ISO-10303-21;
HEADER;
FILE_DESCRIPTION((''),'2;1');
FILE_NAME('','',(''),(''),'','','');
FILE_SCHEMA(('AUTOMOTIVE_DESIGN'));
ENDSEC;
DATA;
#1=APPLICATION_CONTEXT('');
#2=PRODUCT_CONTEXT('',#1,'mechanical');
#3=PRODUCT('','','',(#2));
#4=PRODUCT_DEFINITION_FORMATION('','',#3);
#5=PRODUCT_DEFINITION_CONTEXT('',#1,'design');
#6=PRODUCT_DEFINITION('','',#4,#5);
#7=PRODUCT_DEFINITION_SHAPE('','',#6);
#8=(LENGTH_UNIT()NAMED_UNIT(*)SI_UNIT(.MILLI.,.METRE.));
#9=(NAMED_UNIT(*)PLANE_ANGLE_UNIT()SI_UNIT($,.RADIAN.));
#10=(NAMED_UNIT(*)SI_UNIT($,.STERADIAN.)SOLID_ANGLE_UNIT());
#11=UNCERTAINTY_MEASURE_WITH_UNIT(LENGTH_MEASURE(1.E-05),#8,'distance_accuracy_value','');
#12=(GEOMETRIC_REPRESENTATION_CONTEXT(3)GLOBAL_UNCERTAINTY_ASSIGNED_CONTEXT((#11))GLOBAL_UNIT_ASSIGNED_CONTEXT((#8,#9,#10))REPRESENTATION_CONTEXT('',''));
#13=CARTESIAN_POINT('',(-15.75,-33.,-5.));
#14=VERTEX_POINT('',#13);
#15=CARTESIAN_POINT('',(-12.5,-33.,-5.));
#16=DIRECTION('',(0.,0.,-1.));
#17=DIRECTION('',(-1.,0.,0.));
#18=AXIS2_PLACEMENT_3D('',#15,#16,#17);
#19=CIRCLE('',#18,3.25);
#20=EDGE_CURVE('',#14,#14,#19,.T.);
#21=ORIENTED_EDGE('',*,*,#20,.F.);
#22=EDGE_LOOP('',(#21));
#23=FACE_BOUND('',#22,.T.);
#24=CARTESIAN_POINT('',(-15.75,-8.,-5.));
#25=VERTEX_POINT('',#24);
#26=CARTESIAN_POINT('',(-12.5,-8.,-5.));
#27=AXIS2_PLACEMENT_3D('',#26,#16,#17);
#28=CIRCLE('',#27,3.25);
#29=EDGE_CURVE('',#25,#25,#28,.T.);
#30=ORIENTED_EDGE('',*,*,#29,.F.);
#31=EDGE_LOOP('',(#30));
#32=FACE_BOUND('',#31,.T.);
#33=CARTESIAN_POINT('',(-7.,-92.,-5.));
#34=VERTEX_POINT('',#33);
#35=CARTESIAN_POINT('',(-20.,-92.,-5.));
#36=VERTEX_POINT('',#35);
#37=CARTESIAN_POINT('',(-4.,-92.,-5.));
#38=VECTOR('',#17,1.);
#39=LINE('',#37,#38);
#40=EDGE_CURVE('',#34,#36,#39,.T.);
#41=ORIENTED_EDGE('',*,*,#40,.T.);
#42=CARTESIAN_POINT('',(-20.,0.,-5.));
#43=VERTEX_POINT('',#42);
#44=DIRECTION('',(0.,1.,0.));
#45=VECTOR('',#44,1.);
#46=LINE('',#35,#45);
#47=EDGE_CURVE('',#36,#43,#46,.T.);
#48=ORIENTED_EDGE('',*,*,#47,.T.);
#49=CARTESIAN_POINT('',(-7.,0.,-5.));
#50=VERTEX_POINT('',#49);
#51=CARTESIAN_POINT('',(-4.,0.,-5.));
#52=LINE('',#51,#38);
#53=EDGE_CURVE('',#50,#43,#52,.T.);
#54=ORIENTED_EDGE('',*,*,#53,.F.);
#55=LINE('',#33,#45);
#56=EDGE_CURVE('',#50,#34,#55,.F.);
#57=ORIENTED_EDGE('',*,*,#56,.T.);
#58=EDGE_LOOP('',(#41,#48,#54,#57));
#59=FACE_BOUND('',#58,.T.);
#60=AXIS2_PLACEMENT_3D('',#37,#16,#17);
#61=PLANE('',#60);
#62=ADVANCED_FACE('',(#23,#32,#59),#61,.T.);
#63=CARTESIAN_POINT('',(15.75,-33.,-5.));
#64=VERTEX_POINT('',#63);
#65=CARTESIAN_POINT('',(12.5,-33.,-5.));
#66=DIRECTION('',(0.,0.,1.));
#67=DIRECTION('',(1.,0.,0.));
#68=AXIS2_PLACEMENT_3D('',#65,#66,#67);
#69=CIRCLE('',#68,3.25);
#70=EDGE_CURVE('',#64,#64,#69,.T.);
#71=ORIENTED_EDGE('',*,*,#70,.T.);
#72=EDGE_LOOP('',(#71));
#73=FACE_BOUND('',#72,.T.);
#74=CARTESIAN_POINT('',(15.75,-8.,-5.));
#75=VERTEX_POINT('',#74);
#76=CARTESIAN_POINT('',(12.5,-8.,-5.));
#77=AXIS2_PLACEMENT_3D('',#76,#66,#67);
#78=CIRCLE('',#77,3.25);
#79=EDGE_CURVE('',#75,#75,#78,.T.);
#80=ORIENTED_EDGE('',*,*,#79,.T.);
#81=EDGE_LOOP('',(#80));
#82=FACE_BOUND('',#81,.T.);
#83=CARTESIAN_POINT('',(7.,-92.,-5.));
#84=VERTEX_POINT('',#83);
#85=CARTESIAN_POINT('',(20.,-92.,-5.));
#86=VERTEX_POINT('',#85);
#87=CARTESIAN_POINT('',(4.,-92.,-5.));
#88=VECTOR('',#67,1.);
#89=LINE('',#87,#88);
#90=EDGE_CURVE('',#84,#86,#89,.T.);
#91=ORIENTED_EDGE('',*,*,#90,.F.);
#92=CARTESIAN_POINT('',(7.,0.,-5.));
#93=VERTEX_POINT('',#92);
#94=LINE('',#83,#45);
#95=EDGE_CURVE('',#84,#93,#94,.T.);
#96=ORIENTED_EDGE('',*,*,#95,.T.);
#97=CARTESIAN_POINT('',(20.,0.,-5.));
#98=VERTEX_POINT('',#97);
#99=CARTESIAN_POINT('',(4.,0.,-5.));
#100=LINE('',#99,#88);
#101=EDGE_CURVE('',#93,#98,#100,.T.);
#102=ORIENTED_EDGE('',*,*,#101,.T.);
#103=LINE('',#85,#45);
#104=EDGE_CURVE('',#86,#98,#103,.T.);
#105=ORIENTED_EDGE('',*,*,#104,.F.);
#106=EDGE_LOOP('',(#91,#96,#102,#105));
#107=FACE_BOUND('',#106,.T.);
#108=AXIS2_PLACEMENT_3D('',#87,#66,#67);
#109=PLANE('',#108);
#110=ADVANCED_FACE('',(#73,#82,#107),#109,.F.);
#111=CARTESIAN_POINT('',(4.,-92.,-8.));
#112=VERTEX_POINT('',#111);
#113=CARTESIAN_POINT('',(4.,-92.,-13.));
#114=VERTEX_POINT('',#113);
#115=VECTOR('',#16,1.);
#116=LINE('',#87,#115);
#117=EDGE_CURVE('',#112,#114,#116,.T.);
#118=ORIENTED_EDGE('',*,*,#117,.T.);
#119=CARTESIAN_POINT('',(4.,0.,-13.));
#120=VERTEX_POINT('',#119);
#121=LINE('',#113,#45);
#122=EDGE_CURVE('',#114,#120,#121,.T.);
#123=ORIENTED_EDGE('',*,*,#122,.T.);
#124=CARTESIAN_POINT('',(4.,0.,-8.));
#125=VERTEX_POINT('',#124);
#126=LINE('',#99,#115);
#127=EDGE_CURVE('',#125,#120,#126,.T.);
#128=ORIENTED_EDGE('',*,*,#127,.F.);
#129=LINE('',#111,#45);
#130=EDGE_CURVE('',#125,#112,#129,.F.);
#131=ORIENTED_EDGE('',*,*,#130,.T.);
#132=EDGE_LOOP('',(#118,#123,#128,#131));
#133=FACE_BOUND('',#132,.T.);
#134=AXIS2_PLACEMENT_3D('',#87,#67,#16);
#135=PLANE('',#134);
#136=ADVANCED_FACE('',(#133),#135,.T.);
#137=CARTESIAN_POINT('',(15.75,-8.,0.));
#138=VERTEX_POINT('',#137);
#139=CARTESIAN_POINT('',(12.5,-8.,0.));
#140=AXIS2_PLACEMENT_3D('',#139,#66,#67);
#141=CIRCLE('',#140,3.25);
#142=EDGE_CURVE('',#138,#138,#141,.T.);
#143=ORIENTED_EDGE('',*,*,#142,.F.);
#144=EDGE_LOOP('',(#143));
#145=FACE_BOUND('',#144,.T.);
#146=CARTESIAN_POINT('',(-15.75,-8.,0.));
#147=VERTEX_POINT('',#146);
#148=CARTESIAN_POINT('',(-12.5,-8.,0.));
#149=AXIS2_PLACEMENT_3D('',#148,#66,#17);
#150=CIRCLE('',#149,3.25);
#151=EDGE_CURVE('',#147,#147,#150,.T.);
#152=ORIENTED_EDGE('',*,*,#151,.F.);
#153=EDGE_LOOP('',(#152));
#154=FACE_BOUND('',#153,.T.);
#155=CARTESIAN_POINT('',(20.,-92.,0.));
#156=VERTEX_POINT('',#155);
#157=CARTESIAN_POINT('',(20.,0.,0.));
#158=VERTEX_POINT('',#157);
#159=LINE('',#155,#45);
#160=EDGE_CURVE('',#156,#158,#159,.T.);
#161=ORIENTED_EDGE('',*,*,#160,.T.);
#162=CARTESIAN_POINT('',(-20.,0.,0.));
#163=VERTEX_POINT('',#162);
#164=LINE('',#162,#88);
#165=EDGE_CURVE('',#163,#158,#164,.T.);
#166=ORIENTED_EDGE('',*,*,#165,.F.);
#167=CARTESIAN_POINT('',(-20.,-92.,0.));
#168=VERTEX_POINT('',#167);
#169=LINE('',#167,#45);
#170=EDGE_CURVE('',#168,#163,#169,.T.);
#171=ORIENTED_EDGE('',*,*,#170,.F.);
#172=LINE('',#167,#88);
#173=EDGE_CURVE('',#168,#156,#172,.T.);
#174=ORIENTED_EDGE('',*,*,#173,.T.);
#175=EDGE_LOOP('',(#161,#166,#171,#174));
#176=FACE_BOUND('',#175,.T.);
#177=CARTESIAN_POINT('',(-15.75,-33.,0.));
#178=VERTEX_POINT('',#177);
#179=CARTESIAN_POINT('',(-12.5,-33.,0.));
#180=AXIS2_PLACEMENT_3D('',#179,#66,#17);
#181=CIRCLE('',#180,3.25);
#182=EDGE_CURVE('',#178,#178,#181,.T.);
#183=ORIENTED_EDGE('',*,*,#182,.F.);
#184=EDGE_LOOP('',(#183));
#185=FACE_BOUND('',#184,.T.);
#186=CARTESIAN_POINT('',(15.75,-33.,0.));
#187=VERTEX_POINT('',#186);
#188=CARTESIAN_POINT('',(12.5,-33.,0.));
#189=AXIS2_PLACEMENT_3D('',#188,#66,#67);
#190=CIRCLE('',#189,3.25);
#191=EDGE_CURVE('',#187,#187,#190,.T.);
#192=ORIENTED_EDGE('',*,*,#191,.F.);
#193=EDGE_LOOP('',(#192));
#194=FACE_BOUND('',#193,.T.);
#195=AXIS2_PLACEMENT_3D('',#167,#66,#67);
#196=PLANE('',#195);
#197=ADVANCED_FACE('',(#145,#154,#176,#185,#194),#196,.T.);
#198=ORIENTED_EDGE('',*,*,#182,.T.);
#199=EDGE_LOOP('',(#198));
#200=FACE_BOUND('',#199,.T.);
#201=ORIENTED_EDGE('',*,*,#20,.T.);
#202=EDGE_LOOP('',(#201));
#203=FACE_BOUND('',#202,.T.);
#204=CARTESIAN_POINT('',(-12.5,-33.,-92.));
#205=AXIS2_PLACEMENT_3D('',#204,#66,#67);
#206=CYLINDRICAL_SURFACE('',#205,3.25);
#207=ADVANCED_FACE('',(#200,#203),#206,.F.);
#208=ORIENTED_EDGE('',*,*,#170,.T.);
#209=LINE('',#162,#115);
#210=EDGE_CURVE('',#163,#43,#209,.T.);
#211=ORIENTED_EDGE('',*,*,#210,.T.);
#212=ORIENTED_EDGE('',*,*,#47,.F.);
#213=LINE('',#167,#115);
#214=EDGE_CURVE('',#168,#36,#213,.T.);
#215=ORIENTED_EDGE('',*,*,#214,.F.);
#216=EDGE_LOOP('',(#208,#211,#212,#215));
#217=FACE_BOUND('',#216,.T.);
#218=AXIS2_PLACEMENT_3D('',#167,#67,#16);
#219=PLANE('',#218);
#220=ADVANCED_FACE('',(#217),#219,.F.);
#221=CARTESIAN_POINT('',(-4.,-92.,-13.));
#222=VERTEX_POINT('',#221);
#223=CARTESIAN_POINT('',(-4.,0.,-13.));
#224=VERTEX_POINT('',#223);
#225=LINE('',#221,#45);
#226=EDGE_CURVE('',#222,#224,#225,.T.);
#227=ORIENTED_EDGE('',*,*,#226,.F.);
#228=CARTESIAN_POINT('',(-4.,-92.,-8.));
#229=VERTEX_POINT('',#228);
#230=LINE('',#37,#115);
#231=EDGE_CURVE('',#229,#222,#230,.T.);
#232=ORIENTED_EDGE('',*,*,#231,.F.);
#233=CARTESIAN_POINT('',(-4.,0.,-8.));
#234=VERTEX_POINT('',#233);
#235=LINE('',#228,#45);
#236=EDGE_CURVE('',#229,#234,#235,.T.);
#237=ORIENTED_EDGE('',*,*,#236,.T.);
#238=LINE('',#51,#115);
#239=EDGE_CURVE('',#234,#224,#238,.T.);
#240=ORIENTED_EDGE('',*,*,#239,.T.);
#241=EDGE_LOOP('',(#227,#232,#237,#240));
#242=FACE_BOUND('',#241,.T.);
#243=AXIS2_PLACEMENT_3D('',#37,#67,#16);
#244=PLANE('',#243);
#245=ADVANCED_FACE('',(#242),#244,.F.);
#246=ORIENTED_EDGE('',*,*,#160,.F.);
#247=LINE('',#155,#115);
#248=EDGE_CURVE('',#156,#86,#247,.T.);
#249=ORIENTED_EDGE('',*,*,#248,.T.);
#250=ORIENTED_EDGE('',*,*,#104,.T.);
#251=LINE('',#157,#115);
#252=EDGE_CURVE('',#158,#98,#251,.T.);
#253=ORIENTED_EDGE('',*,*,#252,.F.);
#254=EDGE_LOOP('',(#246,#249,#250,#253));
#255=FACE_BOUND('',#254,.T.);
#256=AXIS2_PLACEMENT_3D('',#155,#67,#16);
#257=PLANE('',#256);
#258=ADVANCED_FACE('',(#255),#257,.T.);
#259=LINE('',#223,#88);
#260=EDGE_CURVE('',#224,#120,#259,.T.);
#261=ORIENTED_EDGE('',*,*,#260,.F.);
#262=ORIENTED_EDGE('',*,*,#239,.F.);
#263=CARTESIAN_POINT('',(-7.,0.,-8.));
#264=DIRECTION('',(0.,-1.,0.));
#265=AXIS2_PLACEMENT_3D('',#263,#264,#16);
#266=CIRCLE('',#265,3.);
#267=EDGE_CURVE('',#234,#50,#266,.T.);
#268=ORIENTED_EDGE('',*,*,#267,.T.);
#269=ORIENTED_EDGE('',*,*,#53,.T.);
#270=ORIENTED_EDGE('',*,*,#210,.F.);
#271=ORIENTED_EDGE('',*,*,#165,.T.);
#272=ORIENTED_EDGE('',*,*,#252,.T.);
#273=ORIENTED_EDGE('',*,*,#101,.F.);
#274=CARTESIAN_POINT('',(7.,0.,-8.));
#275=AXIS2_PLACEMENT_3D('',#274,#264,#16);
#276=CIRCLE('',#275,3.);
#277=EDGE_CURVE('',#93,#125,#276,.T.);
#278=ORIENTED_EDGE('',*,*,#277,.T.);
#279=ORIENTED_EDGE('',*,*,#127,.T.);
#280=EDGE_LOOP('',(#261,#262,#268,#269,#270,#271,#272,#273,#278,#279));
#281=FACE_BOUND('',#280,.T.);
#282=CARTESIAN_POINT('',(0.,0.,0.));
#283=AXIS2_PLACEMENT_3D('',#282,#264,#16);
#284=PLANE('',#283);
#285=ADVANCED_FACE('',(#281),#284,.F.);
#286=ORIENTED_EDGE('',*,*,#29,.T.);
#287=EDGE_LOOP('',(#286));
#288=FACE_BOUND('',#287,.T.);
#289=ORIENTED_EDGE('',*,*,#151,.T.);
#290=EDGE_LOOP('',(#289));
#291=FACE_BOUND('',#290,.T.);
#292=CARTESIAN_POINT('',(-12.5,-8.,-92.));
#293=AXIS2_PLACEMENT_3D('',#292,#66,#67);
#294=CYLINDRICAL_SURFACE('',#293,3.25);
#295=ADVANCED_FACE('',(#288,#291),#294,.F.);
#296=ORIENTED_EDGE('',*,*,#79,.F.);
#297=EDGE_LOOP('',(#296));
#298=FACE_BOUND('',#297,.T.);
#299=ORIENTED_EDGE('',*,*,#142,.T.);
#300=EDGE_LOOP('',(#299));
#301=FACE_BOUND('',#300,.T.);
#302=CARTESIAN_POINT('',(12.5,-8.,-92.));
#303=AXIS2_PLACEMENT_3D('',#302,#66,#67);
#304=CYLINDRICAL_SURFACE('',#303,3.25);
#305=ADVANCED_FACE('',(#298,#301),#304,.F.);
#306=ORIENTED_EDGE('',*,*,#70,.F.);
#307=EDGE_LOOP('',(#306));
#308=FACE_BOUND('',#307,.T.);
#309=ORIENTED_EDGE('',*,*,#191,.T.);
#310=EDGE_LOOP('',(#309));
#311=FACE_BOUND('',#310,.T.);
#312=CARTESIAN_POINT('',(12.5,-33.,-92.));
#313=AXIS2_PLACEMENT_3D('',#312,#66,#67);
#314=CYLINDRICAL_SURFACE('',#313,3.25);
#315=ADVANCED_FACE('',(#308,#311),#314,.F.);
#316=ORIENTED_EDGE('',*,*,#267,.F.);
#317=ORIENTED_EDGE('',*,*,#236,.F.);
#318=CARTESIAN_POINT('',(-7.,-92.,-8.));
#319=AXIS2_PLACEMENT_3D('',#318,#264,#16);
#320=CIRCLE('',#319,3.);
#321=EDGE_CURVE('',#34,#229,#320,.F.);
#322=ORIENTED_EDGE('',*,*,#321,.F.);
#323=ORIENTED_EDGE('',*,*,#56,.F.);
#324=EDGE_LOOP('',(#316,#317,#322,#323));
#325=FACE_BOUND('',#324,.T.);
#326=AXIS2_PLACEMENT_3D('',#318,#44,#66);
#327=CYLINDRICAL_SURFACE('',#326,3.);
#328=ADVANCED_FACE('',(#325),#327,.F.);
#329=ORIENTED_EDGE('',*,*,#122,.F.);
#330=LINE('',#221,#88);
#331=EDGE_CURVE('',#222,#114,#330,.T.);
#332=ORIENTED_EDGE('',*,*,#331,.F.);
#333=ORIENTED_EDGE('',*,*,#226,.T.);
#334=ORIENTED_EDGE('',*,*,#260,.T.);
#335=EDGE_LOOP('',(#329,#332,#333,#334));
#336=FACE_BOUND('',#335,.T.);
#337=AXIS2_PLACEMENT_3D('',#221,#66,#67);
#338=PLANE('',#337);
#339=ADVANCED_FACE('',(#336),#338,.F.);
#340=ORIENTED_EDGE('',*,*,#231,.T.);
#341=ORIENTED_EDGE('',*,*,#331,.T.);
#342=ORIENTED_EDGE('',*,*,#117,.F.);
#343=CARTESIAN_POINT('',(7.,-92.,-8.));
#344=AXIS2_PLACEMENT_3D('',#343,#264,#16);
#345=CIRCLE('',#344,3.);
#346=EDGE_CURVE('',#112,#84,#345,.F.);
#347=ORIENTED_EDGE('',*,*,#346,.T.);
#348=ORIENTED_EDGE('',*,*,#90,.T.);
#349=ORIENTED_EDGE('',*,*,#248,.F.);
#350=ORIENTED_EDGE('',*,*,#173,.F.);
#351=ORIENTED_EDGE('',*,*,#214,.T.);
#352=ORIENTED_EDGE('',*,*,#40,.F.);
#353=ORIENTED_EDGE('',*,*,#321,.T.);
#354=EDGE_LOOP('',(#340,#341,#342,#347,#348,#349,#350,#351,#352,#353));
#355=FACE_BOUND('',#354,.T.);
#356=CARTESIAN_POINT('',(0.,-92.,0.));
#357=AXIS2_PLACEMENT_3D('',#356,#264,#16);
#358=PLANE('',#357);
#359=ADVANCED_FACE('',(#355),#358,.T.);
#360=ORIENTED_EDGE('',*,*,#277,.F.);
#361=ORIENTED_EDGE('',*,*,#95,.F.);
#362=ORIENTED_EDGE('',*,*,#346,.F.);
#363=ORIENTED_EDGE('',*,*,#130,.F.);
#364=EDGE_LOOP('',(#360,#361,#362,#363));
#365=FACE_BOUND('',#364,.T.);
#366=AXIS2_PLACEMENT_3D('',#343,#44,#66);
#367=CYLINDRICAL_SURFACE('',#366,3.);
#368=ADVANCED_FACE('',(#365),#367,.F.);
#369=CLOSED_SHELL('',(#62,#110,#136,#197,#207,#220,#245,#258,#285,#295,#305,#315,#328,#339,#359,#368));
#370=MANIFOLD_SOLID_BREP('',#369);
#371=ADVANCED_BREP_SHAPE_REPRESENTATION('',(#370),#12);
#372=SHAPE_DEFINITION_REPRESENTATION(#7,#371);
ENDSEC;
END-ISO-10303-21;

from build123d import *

# Parameters (mm, degrees)
BOSS_EXTRUDE1_DEPTH = 92
FILLET1_R           = 3
SKETCH2_R           = 3.25
CUT_EXTRUDE1_DEPTH  = 92


with BuildPart() as part:
    # Sketch1 → Boss-Extrude1 (new body)
    with BuildSketch(Plane(origin=(0, 0, 0), x_dir=(1, 0, 0), z_dir=(0, 1, 0))):
        Polygon((-4, 5), (-4, 13), (4, 13), (4, 5), (20, 5), (20, 0), (-20, 0), (-20, 5), align=None)
    extrude(amount=-BOSS_EXTRUDE1_DEPTH)

    # Fillet1
    fillet1_edges = [part.edges().sort_by_distance(p)[0] for p in [
        (-4, -46, -5),
        (4, -46, -5),
    ]]
    fillet(fillet1_edges, radius=FILLET1_R)

    # Sketch2 → Cut-Extrude1 (cut)
    with BuildSketch(Plane.XY):
        with Locations((12.5, -8)):
            Circle(SKETCH2_R)
        with Locations((12.5, -33)):
            Circle(SKETCH2_R)
        with Locations((-12.5, -33)):
            Circle(SKETCH2_R)
        with Locations((-12.5, -8)):
            Circle(SKETCH2_R)
    extrude(amount=-CUT_EXTRUDE1_DEPTH, mode=Mode.SUBTRACT)


solid = part.part
